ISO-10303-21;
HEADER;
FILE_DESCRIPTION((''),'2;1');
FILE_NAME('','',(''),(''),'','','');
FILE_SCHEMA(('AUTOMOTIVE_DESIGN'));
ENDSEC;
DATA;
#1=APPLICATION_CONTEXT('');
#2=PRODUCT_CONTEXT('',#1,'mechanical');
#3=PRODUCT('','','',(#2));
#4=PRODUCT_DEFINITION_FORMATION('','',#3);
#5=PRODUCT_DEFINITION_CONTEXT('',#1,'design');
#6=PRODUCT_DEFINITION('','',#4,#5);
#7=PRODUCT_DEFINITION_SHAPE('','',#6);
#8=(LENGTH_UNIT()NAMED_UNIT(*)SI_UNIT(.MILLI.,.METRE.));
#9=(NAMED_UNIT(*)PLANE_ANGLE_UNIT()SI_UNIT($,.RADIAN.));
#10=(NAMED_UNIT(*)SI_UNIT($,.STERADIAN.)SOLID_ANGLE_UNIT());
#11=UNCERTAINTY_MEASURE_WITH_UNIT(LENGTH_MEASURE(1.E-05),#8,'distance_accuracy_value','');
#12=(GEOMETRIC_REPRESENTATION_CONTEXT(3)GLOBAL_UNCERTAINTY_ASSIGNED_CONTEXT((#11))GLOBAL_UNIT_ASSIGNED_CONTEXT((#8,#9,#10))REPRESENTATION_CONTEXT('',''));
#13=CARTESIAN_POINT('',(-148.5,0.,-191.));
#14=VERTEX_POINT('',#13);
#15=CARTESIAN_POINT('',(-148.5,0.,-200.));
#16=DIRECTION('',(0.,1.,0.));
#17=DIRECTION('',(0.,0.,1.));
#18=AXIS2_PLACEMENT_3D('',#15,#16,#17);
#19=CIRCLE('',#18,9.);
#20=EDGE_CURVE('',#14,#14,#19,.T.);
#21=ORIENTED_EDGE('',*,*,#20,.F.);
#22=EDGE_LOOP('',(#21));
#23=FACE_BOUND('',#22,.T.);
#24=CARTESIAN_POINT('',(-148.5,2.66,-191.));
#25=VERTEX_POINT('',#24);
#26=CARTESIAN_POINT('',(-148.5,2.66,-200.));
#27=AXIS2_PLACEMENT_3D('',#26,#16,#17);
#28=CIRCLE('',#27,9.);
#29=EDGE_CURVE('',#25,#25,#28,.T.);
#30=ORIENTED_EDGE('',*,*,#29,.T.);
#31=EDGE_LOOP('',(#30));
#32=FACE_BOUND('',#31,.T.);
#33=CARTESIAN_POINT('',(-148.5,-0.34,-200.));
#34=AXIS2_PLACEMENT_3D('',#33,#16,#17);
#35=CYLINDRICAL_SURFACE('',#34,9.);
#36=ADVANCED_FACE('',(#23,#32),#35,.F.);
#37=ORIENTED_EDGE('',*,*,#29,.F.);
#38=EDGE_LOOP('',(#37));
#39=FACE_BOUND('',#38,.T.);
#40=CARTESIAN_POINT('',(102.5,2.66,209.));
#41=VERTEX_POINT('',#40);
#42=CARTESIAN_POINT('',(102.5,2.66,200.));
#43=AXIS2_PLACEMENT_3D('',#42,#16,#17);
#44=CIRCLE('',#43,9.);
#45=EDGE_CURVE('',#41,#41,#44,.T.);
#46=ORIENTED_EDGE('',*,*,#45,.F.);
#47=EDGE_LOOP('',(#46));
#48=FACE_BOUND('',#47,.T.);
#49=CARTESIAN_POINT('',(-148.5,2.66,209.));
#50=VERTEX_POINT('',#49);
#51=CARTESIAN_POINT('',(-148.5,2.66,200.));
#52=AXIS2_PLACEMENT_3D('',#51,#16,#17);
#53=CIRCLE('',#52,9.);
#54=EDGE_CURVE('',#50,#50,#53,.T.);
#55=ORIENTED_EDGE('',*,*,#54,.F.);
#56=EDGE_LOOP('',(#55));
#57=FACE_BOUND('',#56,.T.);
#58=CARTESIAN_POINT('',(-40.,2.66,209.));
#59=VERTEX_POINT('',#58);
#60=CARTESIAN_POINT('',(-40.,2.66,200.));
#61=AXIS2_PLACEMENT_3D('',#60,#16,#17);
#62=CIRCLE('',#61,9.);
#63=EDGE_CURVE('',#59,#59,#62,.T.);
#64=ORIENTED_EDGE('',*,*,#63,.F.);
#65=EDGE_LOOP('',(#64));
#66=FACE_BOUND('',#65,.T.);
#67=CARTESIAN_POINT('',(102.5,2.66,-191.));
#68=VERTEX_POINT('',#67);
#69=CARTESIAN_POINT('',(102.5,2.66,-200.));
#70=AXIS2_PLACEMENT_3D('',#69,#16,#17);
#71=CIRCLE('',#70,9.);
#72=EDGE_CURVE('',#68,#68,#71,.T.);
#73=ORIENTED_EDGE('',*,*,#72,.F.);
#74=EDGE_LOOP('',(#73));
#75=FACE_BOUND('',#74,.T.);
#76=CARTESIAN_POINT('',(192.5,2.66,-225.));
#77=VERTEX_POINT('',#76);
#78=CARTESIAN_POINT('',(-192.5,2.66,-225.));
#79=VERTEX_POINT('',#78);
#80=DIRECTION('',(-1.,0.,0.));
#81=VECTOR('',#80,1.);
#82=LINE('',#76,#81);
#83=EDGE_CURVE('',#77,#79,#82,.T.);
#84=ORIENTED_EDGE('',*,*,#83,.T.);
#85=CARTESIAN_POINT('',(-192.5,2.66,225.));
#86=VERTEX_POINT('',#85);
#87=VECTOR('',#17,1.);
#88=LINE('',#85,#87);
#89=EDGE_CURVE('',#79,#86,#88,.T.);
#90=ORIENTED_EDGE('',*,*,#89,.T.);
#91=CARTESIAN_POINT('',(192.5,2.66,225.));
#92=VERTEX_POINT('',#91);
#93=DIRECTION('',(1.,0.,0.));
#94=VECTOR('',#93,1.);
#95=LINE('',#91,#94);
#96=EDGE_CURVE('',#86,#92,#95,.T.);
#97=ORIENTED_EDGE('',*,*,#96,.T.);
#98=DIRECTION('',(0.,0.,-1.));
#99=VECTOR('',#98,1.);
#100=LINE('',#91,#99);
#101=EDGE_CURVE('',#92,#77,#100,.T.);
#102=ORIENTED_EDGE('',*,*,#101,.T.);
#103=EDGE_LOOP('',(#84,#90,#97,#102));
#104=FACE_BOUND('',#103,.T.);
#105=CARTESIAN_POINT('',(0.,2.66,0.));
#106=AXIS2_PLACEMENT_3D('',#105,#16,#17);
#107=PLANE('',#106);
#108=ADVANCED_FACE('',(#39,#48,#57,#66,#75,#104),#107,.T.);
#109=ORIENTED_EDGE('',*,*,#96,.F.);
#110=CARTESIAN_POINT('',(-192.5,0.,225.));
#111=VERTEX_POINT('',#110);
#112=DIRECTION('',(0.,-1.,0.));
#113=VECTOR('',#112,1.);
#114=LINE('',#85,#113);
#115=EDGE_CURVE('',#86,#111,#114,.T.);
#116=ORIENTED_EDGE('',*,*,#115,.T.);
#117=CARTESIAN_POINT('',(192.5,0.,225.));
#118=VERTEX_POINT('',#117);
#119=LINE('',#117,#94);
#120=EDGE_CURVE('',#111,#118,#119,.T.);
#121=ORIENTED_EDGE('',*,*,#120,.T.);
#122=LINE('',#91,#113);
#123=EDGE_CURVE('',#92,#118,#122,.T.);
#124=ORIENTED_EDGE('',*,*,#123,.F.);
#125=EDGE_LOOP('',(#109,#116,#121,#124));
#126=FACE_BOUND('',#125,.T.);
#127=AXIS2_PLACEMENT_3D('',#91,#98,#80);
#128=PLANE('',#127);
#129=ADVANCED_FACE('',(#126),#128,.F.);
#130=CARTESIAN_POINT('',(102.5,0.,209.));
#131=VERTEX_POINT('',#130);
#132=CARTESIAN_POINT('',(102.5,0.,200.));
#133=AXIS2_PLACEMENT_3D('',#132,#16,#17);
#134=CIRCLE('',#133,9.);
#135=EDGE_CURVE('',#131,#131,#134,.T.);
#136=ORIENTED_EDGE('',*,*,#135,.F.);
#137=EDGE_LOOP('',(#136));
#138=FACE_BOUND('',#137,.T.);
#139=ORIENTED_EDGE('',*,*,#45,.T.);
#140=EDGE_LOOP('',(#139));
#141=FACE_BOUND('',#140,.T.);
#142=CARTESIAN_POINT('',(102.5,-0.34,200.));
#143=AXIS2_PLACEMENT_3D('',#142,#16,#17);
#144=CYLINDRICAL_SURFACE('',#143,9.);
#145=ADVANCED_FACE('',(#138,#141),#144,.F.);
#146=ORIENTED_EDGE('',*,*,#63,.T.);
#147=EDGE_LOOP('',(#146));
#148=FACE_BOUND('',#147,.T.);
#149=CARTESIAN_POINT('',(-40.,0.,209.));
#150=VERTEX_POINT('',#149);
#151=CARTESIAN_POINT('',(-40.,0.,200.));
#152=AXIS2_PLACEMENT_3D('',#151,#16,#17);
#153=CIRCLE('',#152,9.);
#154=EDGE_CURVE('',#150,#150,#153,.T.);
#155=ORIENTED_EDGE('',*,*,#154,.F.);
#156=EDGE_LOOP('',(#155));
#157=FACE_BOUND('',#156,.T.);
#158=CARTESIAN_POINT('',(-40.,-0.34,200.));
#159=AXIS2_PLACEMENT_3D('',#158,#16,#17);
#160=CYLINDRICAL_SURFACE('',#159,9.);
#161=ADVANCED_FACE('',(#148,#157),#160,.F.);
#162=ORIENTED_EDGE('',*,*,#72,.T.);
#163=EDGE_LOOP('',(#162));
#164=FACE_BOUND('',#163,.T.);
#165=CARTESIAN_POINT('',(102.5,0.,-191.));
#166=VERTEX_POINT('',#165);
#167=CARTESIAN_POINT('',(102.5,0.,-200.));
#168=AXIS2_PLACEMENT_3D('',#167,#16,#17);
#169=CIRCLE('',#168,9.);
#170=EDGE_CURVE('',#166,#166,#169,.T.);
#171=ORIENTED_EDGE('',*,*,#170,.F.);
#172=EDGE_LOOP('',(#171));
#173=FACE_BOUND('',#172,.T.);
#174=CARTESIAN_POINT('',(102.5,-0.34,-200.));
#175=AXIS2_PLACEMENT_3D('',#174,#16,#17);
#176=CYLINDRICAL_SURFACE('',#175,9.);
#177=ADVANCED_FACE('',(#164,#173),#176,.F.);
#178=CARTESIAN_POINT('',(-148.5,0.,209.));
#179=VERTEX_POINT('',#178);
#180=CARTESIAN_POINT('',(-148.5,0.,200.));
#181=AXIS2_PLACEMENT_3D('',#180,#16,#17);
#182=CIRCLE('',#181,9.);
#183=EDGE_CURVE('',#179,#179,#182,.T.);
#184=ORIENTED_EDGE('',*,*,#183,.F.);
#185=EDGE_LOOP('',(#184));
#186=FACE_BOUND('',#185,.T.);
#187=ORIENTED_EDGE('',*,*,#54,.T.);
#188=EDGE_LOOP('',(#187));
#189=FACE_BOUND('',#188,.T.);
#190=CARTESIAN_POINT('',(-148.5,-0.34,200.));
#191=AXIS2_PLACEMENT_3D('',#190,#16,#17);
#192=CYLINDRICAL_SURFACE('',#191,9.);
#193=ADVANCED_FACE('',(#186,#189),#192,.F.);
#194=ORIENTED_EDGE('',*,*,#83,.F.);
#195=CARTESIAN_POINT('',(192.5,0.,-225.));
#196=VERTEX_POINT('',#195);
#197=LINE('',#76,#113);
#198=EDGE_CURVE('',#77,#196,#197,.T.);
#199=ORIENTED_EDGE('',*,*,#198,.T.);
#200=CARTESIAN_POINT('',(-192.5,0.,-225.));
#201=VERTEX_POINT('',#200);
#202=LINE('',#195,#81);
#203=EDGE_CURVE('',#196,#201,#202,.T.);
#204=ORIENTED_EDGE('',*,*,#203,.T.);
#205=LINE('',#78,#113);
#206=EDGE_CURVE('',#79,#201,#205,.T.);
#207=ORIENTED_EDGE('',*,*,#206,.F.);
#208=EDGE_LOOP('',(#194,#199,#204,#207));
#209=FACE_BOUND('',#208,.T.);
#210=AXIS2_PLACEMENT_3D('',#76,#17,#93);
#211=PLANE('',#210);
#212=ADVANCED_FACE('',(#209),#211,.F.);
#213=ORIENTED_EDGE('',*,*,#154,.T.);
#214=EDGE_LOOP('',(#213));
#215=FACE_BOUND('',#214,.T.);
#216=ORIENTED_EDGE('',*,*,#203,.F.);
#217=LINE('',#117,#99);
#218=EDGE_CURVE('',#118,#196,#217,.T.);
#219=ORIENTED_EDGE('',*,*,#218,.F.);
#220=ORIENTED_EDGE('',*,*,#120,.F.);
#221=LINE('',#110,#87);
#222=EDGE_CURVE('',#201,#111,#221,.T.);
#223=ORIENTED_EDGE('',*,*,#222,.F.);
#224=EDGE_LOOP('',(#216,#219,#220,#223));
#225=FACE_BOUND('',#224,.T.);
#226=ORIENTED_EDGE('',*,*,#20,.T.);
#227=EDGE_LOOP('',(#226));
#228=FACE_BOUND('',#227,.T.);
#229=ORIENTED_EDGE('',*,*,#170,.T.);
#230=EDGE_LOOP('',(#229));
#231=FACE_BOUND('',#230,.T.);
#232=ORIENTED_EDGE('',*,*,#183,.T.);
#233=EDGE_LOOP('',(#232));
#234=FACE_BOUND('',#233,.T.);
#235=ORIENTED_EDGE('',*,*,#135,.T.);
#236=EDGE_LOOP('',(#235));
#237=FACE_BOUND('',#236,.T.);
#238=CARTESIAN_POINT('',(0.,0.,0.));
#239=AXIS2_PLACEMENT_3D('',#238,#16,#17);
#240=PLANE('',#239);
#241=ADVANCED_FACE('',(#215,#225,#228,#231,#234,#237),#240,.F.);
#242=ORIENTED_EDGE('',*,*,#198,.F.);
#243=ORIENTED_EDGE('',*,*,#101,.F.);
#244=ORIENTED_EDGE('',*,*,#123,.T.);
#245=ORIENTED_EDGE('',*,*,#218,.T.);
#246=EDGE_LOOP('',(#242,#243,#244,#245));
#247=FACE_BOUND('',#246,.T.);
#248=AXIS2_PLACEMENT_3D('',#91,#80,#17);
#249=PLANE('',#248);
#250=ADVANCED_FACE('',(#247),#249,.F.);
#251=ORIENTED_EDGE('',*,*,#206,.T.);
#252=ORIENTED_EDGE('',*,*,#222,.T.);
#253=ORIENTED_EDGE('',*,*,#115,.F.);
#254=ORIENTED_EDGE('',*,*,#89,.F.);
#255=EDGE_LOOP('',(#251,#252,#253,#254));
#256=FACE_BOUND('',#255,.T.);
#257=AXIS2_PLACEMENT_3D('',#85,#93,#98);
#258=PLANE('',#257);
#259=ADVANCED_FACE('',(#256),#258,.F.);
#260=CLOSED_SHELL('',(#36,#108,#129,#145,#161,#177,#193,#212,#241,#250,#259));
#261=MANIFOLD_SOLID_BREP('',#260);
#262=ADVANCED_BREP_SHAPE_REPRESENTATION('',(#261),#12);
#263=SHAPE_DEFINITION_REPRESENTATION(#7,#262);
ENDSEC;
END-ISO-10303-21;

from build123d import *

# Parameters (mm, degrees)
CROQUIS1_W              = 385
CROQUIS1_H              = 450
SALIENTE_EXTRUIR1_DEPTH = 2.66
CROQUIS2_R              = 9
CORTAR_EXTRUIR1_DEPTH   = 3


with BuildPart() as part:
    # Croquis1 → Saliente-Extruir1 (new body)
    with BuildSketch(Plane(origin=(0, 0, 0), x_dir=(1, 0, 0), z_dir=(0, 1, 0))):
        Rectangle(CROQUIS1_W, CROQUIS1_H)
    extrude(amount=SALIENTE_EXTRUIR1_DEPTH)

    # Croquis2 → Cortar-Extruir1 (cut)
    with BuildSketch(Plane(origin=(0, 2.66, 0), x_dir=(1, 0, 0), z_dir=(0, 1, 0))):
        with Locations(Location((-148.5, 200, 0), (0, 0, 270))):
            Circle(CROQUIS2_R)
        with Locations(Location((102.5, 200, 0), (0, 0, 270))):
            Circle(CROQUIS2_R)
        with Locations(Location((-148.5, -200, 0), (0, 0, 270))):
            Circle(CROQUIS2_R)
        with Locations(Location((-40, -200, 0), (0, 0, 270))):
            Circle(CROQUIS2_R)
        with Locations(Location((102.5, -200, 0), (0, 0, 270))):
            Circle(CROQUIS2_R)
    extrude(amount=-CORTAR_EXTRUIR1_DEPTH, mode=Mode.SUBTRACT)


solid = part.part
